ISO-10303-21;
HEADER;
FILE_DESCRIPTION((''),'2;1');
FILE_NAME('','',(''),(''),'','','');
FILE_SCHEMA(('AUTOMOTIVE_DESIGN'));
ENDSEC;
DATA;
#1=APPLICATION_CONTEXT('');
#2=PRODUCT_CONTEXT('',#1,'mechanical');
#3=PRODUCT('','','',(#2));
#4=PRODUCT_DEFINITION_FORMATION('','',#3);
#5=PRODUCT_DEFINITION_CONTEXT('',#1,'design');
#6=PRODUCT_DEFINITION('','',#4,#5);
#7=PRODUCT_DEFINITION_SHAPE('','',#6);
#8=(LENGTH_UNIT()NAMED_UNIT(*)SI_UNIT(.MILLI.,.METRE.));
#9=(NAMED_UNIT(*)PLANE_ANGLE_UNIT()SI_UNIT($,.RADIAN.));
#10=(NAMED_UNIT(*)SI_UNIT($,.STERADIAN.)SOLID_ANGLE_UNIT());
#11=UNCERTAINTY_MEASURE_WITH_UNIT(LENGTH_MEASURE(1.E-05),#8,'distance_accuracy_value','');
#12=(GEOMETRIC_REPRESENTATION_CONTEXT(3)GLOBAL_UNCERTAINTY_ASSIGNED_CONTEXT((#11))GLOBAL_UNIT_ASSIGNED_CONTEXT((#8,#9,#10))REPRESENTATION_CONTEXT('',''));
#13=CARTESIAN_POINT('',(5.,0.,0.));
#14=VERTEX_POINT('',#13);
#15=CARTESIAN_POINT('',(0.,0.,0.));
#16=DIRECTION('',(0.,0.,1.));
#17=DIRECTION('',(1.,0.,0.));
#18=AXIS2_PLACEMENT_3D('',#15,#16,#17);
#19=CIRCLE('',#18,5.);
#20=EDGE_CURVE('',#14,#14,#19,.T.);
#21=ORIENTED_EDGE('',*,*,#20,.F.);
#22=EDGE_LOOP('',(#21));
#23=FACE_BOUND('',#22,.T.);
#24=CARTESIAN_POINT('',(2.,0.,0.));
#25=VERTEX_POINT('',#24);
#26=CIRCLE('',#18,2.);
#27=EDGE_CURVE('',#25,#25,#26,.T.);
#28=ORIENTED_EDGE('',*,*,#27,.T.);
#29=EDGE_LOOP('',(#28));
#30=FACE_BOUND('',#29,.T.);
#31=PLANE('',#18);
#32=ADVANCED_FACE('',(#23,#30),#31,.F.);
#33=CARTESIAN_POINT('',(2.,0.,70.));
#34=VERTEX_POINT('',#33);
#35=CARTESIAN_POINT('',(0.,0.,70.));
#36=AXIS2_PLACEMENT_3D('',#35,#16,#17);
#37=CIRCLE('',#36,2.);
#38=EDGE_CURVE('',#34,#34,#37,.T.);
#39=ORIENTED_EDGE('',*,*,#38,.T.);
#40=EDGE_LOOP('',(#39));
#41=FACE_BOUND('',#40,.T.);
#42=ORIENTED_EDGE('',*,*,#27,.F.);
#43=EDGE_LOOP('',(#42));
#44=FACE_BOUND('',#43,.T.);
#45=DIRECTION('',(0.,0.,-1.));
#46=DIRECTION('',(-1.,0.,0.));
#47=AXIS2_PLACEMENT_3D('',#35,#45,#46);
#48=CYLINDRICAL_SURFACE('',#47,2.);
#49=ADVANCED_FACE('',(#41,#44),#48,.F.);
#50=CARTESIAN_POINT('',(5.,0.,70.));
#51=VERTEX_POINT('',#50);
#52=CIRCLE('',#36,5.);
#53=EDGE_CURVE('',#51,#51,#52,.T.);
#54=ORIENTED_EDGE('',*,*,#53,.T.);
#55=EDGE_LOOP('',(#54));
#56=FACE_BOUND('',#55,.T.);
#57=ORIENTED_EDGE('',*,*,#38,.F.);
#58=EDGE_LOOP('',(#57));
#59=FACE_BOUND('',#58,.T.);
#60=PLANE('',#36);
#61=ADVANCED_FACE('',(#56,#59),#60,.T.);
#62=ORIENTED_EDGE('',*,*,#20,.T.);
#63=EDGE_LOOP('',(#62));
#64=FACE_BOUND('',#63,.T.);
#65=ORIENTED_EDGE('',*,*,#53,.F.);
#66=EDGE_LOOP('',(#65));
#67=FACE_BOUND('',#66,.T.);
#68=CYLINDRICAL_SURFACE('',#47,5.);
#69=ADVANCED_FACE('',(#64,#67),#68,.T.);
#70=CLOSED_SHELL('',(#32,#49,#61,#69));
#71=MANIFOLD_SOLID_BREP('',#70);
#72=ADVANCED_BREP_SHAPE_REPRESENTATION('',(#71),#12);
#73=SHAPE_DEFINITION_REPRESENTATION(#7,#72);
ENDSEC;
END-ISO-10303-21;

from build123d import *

# Parameters (mm, degrees)
SKETCH1_R           = 5
SKETCH1_R_2         = 2
BOSS_EXTRUDE1_DEPTH = 70


with BuildPart() as part:
    # Sketch1 → Boss-Extrude1 (new body)
    with BuildSketch(Plane.XY):
        Circle(SKETCH1_R)
        Circle(SKETCH1_R_2, mode=Mode.SUBTRACT)
    extrude(amount=BOSS_EXTRUDE1_DEPTH)


solid = part.part
